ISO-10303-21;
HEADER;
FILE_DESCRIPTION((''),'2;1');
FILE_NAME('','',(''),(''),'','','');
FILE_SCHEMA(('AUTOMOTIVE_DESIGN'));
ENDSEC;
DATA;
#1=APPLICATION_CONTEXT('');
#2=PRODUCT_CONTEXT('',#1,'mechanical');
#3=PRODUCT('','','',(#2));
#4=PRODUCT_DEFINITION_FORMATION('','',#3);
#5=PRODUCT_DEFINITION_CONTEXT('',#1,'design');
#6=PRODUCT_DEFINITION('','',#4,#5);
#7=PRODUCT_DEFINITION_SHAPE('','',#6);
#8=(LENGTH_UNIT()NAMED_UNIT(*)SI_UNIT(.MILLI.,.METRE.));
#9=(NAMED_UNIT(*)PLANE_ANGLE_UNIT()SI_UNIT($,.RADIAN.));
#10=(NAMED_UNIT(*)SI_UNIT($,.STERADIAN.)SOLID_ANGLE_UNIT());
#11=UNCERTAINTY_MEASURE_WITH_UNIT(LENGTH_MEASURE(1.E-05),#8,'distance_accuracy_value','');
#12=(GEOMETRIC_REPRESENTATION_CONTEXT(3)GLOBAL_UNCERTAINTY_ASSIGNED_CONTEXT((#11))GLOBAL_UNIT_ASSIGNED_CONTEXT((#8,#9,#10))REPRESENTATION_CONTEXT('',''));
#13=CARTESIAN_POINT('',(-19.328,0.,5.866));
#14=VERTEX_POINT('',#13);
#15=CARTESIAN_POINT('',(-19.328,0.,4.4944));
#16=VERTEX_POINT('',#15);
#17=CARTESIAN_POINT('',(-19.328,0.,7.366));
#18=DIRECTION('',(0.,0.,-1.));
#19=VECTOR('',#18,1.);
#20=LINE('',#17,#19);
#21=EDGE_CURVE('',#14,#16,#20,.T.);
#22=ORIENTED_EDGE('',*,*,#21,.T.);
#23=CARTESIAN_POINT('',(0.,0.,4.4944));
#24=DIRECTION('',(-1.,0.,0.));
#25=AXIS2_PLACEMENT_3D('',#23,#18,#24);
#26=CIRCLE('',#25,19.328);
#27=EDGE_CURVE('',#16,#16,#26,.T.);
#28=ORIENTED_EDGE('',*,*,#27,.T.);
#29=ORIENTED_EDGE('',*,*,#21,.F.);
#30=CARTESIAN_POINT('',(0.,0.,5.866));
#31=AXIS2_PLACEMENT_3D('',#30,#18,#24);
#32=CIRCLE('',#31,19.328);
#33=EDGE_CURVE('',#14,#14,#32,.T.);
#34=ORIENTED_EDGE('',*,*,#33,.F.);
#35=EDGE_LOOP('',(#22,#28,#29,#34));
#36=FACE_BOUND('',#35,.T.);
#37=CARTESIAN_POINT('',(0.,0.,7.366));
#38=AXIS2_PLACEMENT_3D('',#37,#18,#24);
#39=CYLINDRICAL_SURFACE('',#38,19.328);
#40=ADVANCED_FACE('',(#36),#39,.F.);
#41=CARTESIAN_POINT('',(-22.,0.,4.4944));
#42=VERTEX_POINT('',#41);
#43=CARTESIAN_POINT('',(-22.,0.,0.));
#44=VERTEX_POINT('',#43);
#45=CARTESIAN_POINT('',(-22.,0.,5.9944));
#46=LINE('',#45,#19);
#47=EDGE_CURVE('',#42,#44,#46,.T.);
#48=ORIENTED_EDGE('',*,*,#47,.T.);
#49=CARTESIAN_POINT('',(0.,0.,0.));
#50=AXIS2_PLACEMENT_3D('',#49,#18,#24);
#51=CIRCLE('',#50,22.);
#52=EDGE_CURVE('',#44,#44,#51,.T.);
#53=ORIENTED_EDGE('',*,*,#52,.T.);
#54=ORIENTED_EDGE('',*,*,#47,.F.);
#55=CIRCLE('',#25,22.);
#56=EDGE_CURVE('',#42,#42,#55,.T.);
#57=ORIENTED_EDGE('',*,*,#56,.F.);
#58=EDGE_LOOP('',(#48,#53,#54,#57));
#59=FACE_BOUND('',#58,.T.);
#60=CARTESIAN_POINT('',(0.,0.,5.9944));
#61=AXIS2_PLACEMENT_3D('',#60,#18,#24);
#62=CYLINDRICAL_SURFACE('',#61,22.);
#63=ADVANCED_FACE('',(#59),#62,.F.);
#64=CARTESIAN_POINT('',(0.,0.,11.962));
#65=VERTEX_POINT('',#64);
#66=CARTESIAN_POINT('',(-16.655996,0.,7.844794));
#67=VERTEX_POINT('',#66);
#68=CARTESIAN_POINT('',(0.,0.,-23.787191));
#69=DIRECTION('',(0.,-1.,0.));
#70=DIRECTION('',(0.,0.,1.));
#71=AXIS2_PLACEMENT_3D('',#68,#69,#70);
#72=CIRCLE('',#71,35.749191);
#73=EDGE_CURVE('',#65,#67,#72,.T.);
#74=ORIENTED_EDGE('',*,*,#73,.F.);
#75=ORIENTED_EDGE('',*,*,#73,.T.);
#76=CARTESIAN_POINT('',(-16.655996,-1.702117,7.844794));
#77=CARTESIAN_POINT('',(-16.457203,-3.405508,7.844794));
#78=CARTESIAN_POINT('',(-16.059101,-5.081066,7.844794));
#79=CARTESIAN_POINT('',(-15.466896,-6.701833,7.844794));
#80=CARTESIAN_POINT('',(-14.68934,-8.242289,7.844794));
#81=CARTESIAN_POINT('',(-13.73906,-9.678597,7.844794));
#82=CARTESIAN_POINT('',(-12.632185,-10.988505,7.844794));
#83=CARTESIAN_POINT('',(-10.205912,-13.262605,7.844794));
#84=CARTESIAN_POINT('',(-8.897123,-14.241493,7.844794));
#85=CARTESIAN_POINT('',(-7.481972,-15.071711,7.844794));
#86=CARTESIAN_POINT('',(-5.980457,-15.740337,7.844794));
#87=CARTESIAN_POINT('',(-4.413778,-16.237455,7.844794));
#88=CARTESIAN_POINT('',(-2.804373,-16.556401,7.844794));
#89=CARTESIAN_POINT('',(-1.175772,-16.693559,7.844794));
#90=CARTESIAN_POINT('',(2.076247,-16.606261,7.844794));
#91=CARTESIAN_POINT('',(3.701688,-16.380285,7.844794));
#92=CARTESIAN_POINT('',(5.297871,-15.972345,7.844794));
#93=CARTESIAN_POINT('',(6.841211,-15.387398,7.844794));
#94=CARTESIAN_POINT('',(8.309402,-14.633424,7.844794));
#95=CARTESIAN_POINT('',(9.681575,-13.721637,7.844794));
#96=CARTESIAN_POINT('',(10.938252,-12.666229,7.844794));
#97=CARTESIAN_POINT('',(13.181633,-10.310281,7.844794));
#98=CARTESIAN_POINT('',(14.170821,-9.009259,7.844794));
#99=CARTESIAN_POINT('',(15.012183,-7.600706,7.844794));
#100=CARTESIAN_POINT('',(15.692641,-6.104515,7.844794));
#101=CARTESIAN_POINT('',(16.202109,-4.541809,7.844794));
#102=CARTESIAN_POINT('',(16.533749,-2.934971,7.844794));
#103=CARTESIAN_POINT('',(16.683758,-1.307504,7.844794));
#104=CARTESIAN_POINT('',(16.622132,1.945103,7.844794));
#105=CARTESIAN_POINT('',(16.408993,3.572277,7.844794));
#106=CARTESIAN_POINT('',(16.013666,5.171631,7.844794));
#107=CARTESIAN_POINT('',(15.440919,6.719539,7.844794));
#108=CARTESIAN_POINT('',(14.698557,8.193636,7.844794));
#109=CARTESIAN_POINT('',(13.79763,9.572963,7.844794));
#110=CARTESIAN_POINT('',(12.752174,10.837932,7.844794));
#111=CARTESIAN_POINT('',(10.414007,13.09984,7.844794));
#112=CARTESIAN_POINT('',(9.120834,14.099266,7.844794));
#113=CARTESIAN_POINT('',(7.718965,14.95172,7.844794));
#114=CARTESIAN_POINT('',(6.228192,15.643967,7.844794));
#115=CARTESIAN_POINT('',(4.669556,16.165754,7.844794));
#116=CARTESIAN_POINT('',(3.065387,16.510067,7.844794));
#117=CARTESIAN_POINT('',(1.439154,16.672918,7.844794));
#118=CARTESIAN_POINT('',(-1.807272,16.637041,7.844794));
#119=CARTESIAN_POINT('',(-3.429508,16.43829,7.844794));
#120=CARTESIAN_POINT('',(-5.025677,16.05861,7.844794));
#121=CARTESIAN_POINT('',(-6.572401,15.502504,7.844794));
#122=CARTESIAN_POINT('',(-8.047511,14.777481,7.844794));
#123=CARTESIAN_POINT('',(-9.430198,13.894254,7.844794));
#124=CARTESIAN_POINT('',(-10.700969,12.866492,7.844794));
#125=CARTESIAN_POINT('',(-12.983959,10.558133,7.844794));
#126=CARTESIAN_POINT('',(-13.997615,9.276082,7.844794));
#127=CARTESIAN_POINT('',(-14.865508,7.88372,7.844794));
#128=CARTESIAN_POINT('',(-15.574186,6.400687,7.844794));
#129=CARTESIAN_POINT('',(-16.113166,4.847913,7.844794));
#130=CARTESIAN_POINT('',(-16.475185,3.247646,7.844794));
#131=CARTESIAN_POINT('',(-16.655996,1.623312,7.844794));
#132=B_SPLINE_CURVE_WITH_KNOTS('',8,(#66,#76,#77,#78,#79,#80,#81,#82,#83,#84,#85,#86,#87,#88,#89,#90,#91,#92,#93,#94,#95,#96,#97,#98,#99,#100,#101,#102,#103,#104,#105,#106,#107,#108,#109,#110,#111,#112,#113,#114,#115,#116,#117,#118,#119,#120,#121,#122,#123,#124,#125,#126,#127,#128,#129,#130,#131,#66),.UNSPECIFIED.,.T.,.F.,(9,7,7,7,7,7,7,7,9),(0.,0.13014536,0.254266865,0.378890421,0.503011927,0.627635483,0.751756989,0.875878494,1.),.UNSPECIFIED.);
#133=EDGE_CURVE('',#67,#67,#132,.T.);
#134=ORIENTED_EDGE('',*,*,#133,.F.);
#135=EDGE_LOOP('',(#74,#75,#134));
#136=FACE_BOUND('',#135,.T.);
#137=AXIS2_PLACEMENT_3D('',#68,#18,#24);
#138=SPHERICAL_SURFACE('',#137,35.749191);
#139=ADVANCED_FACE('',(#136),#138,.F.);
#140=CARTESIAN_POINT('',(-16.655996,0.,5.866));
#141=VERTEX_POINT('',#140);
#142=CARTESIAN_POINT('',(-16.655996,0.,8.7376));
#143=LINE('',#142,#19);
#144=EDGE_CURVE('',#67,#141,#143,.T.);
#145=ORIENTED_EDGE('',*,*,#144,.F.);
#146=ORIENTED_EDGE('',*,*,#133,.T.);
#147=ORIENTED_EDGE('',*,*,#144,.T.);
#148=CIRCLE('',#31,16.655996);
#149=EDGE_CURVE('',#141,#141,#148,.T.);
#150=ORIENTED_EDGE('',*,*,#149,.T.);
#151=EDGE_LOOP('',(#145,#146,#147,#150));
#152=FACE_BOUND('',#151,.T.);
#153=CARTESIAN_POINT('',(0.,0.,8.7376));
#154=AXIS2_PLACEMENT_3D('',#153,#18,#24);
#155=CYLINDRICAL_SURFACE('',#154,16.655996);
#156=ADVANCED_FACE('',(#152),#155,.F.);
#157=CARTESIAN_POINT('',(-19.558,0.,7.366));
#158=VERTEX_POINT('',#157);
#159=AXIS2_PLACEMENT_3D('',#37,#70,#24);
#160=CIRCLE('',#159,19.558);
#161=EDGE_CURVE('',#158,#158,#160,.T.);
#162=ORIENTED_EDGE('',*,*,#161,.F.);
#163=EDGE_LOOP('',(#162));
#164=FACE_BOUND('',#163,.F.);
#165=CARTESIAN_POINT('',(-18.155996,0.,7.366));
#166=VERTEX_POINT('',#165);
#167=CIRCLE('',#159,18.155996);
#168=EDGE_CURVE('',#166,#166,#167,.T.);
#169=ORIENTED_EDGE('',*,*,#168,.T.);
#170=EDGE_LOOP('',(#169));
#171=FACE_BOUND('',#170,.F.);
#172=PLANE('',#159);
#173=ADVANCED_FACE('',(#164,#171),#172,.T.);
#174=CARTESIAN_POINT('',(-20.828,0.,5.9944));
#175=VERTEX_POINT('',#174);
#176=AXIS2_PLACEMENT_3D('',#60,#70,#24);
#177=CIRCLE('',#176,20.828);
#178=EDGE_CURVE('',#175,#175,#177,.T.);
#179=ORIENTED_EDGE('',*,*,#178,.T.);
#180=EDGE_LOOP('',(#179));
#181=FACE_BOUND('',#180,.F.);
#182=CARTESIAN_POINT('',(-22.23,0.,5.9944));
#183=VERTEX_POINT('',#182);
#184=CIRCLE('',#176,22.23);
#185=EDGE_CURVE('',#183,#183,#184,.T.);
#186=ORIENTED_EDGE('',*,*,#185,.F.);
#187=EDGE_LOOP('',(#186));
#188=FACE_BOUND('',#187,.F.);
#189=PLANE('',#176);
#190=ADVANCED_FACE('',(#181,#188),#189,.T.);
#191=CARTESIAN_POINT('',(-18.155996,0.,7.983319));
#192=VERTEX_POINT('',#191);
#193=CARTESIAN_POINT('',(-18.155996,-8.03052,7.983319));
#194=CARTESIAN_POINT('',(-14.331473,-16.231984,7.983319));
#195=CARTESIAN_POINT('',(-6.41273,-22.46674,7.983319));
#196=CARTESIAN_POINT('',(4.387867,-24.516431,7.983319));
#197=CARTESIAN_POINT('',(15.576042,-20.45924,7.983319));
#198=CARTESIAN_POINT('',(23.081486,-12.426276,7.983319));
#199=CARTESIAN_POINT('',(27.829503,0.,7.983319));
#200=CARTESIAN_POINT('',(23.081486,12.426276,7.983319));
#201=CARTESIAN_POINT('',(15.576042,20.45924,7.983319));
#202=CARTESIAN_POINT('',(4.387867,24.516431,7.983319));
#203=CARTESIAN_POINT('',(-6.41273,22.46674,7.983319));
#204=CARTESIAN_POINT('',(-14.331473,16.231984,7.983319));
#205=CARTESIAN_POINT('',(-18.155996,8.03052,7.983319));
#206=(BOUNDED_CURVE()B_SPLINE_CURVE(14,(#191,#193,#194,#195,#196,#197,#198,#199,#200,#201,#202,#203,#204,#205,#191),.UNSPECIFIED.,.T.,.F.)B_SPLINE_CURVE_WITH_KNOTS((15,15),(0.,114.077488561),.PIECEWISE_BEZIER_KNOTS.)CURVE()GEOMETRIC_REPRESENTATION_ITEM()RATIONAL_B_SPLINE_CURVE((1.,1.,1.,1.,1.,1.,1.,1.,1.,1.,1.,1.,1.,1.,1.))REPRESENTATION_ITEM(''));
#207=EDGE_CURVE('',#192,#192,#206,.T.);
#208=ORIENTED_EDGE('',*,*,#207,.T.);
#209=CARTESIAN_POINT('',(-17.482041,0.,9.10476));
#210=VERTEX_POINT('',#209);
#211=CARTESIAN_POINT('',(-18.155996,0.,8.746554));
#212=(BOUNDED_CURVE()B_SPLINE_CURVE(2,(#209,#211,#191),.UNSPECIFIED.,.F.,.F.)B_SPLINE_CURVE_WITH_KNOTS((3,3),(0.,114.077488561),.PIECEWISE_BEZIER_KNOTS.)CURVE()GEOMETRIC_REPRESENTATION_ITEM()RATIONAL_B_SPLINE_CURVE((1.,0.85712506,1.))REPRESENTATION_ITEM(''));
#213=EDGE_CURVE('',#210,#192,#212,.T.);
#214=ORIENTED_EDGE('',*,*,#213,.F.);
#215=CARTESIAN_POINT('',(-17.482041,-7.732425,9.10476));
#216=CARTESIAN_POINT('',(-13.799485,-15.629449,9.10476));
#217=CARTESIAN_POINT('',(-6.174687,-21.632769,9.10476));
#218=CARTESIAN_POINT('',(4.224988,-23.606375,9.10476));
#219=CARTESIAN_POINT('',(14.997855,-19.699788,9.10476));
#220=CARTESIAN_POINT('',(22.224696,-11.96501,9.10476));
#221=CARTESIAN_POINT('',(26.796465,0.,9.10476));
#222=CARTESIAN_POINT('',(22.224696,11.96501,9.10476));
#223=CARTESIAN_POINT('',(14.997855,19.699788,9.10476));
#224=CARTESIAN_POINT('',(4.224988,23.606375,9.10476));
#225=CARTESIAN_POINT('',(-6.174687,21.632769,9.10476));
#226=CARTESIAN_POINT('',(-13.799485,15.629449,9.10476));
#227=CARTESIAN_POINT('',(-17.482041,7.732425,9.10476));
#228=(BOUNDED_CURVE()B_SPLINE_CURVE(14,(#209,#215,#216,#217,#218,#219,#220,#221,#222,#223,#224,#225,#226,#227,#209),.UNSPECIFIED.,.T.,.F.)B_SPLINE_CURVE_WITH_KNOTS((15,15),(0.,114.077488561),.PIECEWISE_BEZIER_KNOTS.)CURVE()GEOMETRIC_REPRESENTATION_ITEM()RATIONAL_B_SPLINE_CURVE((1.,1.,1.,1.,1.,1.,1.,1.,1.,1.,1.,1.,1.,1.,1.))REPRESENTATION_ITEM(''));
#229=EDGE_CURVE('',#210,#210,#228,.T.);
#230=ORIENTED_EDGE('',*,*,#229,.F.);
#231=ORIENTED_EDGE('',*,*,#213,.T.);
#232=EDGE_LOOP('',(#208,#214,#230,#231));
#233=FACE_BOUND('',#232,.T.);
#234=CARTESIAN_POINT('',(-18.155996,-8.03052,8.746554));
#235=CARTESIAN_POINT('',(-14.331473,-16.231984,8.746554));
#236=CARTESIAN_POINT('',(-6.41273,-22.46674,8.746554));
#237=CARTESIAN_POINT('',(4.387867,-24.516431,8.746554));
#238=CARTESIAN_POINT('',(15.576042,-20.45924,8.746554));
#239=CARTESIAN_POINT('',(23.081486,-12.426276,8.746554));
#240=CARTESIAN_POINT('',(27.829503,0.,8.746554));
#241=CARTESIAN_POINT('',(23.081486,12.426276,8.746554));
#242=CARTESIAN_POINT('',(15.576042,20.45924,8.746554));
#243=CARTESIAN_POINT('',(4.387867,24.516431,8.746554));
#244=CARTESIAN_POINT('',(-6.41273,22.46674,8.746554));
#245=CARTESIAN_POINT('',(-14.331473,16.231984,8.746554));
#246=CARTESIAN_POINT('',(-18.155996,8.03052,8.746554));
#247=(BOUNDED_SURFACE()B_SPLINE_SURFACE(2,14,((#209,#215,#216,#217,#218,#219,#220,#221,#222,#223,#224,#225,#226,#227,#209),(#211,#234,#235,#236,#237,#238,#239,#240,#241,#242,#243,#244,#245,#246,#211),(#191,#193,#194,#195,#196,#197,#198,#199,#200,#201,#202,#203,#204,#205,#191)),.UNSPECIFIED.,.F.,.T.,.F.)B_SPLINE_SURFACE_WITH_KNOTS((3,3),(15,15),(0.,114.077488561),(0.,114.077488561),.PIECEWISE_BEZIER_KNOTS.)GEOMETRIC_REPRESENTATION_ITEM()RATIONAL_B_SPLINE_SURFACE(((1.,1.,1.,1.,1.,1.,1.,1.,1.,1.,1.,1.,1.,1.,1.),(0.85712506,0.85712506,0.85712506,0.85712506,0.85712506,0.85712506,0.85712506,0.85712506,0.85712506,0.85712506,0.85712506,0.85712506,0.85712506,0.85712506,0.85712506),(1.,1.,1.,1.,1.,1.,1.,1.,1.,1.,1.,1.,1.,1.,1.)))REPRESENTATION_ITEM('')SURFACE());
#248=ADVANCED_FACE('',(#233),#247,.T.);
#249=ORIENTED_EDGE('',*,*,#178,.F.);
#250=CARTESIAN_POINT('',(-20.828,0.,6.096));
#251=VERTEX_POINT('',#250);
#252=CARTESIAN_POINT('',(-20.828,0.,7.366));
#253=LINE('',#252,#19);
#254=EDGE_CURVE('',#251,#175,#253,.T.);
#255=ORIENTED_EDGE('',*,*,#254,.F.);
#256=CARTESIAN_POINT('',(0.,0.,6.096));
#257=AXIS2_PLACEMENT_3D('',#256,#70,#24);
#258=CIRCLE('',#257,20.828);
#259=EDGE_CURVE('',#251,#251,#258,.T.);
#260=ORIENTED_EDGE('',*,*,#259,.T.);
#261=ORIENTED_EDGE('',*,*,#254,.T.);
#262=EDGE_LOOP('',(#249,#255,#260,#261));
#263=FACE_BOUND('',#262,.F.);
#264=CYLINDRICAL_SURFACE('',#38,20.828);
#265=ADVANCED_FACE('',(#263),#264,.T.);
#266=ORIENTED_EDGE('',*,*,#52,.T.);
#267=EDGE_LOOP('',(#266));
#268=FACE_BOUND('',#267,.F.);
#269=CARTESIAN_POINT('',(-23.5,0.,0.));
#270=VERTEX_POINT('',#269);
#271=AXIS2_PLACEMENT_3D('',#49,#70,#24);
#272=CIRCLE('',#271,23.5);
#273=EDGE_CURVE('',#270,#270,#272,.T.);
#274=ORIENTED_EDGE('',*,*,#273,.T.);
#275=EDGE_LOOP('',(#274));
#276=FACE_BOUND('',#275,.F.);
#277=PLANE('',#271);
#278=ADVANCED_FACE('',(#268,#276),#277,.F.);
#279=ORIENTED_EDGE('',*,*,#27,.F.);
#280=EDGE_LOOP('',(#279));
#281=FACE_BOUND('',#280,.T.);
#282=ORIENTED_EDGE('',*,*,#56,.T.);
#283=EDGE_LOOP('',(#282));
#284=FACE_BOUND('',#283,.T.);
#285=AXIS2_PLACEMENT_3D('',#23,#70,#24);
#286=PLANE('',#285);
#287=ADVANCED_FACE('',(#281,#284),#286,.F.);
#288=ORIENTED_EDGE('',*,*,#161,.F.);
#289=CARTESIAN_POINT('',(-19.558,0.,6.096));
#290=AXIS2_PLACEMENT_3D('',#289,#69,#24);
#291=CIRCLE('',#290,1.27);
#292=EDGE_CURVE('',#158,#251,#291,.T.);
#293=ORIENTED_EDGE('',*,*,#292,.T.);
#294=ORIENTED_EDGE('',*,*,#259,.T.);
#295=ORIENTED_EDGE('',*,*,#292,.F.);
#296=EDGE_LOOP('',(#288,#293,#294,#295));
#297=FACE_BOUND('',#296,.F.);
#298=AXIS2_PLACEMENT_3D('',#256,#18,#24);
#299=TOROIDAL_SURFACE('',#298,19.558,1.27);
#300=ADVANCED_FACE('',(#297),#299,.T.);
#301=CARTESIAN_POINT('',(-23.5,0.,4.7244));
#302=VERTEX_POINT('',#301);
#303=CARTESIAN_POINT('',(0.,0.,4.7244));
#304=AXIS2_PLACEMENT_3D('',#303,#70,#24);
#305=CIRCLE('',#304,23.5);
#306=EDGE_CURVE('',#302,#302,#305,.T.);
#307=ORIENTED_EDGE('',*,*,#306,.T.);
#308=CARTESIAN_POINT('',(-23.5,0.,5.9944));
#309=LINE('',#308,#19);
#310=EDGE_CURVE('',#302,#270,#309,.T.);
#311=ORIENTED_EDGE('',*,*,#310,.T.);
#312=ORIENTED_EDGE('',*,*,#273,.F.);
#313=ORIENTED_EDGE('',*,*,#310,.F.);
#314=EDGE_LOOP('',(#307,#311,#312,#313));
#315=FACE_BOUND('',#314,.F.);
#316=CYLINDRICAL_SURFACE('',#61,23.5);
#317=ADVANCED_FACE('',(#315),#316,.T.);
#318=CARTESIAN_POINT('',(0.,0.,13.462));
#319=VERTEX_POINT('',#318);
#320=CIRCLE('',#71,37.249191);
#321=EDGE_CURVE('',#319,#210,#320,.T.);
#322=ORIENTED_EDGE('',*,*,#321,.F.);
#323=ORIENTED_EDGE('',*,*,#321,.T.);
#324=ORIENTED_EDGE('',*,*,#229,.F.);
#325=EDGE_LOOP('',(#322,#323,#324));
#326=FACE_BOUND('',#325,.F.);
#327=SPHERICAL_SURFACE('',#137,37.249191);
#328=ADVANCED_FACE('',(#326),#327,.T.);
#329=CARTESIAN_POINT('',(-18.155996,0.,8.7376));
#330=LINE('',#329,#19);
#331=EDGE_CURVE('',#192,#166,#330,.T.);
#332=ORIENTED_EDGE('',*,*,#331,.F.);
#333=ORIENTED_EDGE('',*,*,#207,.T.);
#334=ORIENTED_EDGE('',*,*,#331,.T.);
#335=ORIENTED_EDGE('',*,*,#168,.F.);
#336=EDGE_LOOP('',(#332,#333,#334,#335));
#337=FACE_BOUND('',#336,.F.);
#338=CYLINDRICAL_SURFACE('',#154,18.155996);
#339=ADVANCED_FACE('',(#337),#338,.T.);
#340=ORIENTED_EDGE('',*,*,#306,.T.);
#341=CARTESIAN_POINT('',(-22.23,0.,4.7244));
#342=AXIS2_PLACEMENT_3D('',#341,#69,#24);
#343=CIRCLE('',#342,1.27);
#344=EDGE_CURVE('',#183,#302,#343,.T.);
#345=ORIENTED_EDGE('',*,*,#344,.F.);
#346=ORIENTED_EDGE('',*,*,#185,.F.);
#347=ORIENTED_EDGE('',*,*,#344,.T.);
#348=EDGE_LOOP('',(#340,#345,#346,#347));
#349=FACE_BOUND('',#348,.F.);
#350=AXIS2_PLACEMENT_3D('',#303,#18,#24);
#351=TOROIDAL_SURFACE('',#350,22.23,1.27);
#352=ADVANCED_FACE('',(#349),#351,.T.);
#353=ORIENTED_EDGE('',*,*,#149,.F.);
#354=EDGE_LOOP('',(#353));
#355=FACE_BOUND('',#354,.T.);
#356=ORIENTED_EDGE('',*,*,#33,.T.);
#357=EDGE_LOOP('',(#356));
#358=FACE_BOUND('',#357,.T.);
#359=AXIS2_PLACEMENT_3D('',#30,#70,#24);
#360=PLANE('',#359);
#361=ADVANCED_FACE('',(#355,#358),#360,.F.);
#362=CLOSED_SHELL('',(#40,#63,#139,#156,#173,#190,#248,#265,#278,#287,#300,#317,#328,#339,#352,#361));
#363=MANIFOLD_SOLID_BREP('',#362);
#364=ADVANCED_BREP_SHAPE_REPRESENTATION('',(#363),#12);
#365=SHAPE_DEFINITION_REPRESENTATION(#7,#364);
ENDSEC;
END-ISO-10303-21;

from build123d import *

# Parameters (mm, degrees)
F2_R = 1.27
F3_T = -1.5


with BuildPart() as f1:
    # F0 (on Front) → F1 (revolve)
    with BuildSketch(Plane.XZ):
        Polygon((-23.5, 0), (0, 0), (0, 5.9944), (-20.828, 5.9944), (-23.5, 5.9944), align=None)
        Polygon((-20.828, 5.9944), (0, 5.9944), (0, 7.366), (-18.1559962, 7.366), (-20.828, 7.366), align=None)
        with BuildLine():
            Line((-18.1559962, 7.366), (0, 7.366))
            Line((0, 7.366), (0, 13.462))
            ThreePointArc((0, 13.462), (-9.3803005465, 12.2615564285), (-18.1559962, 8.7376))
            Line((-18.1559962, 8.7376), (-18.1559962, 7.366))
        make_face()
    revolve(axis=Axis((0, 0, 6.731), (0, 0, 1)))

    # F2
    f2_edges = [f1.edges().sort_by_distance(p)[0] for p in [
        (20.828, 0, 7.366),
        (18.155996, 0, 8.7376),
        (23.5, 0, 5.9944),
    ]]
    fillet(f2_edges, radius=F2_R)

    # F3
    f3_openings = [f1.faces().sort_by_distance(p)[0] for p in [
        (0, 0, 0),
    ]]
    offset(amount=F3_T, openings=f3_openings, kind=Kind.INTERSECTION)


solid = f1.part
